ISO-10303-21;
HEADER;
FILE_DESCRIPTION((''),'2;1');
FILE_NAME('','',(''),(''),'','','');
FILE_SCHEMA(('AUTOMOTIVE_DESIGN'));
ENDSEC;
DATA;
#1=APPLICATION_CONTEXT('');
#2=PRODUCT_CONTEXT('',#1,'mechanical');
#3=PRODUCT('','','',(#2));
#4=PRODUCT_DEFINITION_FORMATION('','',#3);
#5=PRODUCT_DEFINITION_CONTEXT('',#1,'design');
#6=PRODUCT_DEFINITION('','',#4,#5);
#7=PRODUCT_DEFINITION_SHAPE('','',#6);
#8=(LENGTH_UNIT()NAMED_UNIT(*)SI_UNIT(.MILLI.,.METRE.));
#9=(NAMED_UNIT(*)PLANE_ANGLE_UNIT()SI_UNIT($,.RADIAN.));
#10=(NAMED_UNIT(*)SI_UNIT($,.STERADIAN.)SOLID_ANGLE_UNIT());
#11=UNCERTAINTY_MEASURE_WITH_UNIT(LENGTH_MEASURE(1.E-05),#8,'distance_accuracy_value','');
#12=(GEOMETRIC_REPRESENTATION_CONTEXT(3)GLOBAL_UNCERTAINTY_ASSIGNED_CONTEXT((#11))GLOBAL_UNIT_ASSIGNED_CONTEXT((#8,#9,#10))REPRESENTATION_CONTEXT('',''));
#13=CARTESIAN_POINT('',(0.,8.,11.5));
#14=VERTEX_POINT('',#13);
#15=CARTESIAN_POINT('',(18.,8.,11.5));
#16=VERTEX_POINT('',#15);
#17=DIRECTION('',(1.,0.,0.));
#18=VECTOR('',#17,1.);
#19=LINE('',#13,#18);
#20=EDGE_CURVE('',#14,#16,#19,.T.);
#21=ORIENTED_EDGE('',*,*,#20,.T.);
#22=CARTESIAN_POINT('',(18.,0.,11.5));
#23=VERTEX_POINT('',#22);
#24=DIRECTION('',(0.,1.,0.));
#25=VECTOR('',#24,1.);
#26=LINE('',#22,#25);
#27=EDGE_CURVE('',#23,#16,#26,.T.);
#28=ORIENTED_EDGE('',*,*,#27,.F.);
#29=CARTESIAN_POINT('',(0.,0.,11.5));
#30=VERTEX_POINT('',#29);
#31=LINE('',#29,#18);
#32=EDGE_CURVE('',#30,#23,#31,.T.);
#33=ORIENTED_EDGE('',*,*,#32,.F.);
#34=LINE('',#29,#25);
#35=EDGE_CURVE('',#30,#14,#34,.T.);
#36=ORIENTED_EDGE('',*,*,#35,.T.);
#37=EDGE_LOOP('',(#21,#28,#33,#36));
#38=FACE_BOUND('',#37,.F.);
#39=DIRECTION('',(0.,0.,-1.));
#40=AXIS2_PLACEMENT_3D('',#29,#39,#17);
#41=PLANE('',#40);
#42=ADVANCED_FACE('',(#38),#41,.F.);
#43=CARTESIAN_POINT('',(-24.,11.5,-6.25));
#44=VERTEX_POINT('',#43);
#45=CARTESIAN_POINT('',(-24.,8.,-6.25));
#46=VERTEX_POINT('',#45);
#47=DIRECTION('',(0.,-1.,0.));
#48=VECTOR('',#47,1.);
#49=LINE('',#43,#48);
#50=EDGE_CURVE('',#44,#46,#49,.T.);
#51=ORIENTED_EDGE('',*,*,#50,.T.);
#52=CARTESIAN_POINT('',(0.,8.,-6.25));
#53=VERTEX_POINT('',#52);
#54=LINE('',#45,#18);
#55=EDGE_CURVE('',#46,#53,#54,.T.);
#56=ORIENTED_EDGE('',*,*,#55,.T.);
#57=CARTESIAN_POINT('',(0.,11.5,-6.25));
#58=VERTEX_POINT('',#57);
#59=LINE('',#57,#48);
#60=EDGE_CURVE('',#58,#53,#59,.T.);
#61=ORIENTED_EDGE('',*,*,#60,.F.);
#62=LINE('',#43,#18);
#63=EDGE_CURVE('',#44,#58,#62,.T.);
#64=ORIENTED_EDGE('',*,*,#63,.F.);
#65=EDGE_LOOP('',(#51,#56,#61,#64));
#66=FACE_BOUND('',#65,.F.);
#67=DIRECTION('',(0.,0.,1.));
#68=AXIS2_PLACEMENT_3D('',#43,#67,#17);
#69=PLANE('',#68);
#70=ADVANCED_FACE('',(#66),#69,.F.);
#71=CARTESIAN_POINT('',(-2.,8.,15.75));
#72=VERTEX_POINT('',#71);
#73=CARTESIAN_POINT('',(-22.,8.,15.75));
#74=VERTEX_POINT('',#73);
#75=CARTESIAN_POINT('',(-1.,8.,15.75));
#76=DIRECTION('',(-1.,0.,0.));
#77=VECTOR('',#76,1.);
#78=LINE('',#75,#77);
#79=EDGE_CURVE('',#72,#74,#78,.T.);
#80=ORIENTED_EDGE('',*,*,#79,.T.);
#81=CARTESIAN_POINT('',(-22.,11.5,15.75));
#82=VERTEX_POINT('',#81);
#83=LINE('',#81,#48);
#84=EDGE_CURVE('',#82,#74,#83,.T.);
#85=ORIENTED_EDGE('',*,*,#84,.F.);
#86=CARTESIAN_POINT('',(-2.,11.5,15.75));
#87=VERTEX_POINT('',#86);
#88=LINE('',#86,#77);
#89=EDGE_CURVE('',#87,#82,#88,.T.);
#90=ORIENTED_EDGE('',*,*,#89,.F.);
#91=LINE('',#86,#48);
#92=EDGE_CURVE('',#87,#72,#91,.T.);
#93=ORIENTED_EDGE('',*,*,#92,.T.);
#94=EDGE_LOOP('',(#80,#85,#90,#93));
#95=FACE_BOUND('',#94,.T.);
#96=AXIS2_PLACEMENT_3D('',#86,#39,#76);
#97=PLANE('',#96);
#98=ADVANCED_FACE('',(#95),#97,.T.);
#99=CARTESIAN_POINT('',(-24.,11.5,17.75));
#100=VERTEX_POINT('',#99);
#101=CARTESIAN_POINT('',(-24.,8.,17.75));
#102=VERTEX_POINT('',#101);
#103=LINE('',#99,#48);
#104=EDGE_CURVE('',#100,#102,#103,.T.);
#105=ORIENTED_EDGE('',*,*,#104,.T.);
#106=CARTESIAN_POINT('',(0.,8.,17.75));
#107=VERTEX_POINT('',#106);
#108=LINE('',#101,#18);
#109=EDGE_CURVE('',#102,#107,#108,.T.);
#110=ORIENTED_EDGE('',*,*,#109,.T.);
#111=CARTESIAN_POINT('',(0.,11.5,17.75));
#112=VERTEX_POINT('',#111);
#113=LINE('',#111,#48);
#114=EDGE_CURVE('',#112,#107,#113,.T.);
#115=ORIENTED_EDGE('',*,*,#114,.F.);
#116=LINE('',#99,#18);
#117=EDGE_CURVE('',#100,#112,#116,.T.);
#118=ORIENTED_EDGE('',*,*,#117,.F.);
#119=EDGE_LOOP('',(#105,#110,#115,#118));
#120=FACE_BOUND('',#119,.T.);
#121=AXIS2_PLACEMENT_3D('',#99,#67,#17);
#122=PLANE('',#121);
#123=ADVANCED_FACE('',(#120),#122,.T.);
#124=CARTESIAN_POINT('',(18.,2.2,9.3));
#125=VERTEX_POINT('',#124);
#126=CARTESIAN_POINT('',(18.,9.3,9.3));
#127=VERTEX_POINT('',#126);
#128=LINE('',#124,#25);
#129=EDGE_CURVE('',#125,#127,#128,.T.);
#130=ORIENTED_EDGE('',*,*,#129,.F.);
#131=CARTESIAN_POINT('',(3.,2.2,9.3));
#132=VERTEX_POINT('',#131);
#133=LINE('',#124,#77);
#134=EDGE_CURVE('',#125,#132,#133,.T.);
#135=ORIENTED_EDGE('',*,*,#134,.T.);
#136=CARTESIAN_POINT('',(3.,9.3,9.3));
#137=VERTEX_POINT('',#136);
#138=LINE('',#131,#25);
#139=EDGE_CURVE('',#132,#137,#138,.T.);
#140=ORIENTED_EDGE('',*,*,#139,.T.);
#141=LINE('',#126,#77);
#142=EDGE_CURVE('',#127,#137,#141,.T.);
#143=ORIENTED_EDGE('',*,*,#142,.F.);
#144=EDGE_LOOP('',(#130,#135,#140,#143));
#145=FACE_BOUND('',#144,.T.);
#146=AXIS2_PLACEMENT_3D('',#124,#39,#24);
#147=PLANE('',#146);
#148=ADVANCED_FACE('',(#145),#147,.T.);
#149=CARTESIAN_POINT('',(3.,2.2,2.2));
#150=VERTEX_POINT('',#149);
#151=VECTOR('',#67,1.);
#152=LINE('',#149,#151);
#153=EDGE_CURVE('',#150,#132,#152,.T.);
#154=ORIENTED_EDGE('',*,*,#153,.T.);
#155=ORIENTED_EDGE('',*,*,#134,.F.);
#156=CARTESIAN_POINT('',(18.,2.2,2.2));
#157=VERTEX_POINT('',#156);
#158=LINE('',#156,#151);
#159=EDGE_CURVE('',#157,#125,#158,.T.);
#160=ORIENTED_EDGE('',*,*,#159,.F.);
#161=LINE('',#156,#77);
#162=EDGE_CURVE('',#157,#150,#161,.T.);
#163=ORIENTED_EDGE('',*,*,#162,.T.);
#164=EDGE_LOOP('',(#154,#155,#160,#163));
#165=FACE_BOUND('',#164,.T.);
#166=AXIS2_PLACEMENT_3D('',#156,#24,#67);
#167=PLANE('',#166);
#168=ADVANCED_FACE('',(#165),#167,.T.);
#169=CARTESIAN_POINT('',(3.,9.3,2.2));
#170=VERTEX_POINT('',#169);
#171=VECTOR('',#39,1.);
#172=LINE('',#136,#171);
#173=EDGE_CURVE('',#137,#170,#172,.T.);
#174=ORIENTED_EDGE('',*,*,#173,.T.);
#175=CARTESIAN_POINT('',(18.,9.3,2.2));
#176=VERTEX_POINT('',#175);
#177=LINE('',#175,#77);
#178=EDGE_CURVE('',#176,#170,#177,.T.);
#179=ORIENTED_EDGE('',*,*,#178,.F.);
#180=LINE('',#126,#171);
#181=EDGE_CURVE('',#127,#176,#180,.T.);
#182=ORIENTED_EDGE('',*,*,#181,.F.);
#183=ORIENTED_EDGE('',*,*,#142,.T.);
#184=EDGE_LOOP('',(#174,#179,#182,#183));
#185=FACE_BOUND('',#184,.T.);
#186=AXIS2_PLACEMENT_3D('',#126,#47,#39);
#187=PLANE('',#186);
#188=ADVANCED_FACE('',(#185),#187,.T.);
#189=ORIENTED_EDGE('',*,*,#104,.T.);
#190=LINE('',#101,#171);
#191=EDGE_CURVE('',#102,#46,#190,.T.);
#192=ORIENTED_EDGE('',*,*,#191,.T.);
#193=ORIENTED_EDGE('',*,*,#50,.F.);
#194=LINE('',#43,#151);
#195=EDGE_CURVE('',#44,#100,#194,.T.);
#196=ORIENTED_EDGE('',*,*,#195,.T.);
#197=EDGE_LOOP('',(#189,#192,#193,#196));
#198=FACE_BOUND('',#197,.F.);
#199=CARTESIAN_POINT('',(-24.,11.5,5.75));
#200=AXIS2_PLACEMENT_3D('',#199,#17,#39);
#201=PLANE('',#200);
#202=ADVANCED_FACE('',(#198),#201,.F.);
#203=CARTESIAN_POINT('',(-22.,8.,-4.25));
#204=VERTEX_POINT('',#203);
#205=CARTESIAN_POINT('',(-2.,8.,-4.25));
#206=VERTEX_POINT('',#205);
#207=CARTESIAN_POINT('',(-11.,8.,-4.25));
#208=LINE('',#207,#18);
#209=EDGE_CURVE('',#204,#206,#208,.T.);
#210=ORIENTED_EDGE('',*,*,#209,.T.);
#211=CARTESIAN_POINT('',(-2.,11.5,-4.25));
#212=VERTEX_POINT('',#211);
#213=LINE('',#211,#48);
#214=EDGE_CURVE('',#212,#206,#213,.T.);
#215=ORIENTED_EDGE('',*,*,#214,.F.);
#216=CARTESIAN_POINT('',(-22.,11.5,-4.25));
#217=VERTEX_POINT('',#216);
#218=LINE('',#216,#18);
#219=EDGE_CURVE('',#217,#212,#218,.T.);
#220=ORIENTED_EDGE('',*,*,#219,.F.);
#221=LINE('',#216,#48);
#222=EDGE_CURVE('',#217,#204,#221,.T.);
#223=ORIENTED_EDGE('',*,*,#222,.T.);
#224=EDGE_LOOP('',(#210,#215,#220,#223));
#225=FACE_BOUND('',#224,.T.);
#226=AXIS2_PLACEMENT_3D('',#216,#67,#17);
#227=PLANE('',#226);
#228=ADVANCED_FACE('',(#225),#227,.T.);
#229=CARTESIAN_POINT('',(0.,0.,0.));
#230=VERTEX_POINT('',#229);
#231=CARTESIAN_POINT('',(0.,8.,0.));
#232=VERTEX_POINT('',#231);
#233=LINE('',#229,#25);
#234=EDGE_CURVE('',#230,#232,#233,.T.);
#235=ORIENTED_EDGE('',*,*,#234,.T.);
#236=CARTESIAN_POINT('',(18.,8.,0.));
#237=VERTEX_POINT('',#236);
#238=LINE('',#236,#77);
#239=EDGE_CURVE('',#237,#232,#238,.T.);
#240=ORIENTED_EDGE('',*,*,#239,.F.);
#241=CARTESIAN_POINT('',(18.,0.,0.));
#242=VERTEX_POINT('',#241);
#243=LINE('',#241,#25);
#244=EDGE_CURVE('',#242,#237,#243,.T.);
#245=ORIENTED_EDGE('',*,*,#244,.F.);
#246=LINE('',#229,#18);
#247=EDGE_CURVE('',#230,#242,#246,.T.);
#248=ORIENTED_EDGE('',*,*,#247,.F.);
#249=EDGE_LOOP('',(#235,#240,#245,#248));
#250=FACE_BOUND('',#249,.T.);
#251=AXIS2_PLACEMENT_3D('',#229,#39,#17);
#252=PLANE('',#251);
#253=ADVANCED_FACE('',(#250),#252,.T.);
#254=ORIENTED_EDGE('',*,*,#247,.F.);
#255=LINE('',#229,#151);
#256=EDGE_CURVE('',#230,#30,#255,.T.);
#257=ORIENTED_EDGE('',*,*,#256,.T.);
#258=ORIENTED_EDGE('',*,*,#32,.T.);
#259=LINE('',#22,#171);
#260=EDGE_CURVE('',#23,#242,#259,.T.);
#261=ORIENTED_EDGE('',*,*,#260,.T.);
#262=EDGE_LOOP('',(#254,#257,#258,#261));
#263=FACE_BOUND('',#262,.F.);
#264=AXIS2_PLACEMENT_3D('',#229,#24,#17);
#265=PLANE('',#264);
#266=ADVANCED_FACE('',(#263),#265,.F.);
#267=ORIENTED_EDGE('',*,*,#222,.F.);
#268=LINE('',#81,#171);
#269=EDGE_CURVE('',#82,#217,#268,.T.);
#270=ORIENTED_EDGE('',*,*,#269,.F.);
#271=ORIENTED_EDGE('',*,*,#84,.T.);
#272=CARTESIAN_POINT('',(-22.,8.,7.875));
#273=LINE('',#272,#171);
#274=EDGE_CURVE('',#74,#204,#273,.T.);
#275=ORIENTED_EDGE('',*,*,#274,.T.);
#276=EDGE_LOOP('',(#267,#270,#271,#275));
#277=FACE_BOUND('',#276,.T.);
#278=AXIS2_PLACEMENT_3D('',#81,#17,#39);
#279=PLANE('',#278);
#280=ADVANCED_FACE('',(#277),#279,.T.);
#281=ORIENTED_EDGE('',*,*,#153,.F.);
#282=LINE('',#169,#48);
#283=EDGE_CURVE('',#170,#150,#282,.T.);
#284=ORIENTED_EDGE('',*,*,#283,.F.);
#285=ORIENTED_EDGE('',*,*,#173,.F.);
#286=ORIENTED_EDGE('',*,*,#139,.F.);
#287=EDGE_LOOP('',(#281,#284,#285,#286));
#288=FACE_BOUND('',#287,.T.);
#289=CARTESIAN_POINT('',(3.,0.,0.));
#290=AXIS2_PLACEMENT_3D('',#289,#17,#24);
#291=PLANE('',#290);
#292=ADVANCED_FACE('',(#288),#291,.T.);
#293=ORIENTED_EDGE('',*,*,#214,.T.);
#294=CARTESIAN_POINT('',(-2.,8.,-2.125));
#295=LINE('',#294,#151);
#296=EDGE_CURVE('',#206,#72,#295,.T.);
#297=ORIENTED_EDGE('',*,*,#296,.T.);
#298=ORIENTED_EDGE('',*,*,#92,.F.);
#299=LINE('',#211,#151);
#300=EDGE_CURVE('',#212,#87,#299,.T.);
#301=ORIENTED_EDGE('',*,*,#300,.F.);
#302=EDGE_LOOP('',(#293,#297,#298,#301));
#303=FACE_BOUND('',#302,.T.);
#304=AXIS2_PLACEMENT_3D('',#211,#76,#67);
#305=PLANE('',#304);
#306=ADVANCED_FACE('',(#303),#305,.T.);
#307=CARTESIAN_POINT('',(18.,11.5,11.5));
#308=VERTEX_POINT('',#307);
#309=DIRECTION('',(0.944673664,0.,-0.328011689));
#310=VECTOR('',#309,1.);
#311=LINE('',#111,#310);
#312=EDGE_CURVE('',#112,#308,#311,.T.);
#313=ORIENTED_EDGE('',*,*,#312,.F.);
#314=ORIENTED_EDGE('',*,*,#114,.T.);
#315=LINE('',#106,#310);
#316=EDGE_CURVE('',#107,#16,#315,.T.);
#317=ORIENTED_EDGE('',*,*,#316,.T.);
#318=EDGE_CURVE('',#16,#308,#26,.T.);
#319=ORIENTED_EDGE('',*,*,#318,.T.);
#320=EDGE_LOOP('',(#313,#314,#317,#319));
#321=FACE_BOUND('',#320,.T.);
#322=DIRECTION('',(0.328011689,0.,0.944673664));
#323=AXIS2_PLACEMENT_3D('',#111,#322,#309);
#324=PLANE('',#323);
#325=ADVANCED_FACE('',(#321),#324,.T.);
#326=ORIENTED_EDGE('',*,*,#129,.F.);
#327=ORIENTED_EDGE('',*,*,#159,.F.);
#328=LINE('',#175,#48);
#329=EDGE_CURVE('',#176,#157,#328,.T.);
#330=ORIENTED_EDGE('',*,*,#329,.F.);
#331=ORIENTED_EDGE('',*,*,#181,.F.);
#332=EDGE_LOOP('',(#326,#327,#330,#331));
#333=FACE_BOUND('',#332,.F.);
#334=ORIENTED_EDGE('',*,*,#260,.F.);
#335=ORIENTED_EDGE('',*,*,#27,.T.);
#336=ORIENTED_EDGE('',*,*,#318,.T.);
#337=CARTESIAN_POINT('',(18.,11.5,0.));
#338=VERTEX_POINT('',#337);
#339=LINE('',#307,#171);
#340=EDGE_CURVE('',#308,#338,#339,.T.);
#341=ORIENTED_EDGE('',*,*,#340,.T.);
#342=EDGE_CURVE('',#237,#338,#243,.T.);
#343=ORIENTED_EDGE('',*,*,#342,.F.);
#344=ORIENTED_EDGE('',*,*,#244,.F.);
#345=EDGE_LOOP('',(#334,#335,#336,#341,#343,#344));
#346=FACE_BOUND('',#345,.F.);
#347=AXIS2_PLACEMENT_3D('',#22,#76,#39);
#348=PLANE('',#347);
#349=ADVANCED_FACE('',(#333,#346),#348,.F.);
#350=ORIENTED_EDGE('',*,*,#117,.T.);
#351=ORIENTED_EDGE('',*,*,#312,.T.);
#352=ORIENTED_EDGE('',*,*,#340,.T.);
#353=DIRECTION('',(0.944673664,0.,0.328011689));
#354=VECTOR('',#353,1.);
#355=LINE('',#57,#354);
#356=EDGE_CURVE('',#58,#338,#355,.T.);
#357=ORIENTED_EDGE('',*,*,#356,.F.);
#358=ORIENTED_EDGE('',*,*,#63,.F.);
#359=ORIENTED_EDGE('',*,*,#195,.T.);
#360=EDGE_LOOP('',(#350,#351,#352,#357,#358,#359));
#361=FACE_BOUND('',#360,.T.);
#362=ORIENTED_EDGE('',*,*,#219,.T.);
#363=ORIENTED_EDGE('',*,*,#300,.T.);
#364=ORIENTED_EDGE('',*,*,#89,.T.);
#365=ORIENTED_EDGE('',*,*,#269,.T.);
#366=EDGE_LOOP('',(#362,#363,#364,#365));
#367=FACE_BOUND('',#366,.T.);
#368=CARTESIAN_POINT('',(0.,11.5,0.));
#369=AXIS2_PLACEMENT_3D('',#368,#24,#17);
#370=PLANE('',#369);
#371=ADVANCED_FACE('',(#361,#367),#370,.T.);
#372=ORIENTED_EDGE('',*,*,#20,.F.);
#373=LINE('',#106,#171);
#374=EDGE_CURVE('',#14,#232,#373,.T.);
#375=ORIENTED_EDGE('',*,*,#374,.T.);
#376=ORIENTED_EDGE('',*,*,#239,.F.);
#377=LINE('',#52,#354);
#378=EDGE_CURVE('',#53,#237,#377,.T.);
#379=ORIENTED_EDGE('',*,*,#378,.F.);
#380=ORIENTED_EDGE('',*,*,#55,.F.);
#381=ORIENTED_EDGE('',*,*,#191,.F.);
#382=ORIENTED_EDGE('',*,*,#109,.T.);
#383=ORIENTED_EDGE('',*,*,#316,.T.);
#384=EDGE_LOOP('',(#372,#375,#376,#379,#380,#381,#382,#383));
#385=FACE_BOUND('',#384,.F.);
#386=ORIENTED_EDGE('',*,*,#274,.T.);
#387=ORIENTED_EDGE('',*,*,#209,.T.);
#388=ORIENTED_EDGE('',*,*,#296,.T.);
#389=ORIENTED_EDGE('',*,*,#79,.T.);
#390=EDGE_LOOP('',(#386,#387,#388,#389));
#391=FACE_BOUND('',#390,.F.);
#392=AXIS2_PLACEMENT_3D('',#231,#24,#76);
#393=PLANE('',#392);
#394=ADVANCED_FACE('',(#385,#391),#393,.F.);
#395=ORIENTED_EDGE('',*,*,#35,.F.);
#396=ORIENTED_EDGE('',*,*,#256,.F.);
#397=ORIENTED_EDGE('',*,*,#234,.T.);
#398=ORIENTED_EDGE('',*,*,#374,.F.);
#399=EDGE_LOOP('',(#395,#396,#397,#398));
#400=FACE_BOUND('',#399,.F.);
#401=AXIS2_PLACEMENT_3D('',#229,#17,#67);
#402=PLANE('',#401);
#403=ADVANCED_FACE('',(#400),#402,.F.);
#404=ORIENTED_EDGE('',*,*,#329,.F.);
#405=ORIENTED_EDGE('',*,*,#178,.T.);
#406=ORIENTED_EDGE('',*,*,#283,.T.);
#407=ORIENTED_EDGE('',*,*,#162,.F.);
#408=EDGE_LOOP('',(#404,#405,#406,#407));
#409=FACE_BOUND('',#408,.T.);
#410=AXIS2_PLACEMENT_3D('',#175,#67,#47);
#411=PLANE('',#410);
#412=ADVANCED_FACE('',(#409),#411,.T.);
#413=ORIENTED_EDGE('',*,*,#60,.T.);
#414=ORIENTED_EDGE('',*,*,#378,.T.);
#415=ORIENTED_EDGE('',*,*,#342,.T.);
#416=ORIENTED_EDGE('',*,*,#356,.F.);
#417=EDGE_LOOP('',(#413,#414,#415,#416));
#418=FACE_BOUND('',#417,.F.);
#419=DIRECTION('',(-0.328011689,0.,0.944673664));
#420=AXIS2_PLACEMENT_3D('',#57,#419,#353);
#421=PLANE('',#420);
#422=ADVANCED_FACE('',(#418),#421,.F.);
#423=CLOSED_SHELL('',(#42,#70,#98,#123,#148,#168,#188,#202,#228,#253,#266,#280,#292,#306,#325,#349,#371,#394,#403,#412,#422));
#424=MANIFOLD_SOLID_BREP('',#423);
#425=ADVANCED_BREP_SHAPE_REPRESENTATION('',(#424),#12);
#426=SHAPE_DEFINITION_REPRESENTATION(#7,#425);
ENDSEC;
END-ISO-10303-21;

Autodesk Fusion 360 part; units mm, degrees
sketch "Sketch1" plane through (0, 0, 0) normal (0, 1, 0) x (1, 0, 0)
  line L0 (0, 0) -> (0, -11.5)
  line L1 (0, -11.5) -> (18, -11.5)
  line L2 (0, 0) -> (18, 0)
  line L3 (18, -11.5) -> (18, 0)
  dimension "d1" = 11.5
  dimension "d2" = 18
  dimension "d3" = 18
extrude "Extrude1" add sketch "Sketch1" along normal blind 11.5
sketch "Sketch2" plane through (18, 0, 0) normal (1, 0, 0) x (0, 1, 0)
  line L0 (0, 11.5) -> (0, 0)
  line L1 (0, 0) -> (11.5, 0)
  line L2 (11.5, 0) -> (11.5, 11.5)
  line L3 (11.5, 11.5) -> (0, 11.5)
  line L4 (0, 11.5) -> (0, 9.3)
  line L5 (0, 9.3) -> (2.2, 9.3)
  line L6 (2.2, 9.3) -> (9.3, 9.3)
  line L7 (9.3, 9.3) -> (9.3, 2.2)
  line L8 (9.3, 2.2) -> (2.2, 2.2)
  line L9 (2.2, 2.2) -> (2.2, 9.3)
  dimension "d9" = 2.2
  dimension "d10" = 2.2
  dimension "d11" = 7.1
  dimension "d12" = 7.1
extrude "Extrude2" cut sketch "Sketch2" against normal blind 15 contours L6 L7 L8 L9
sketch "Sketch3" plane through (0, 0, 0) normal (-1, 0, 0) x (0, -1, 0)
  line L0 (0, 0) -> (0, 11.5)
  line L1 (0, 11.5) -> (-11.5, 11.5)
  line L2 (-11.5, 11.5) -> (-11.5, 0)
  line L3 (-11.5, 0) -> (0, 0)
  line L4 (-11.5, 11.5) -> (-7.25, 11.5)
  line L5 (-7.25, 11.5) -> (-7.25, 7.25)
  line L6 (-7.25, 7.25) -> (-4.25, 7.25)
  line L7 (-4.25, 7.25) -> (-4.25, 4.25)
  line L8 (-4.25, 4.25) -> (-7.25, 4.25)
  line L9 (-7.25, 4.25) -> (-7.25, 7.25)
  dimension "d15" = 4.25
  dimension "d16" = 4.25
  dimension "d17" = 3
  dimension "d18" = 3
sketch "Sketch4" plane through (0, 0, 0) normal (-1, 0, 0) x (0, -1, 0)
  line L0 (0, 0) -> (0, 11.5)
  line L1 (0, 11.5) -> (-11.5, 11.5)
  line L2 (-11.5, 11.5) -> (-11.5, 0)
  line L3 (-11.5, 0) -> (0, 0)
  line L4 (-11.5, 11.5) -> (-11.5, 7.5)
  line L5 (-11.5, 7.5) -> (0, 7.5)
  line L6 (0, 7.5) -> (0, 4)
  line L7 (0, 4) -> (-11.5, 4)
  line L8 (-11.5, 4) -> (-11.5, 7.5)
  dimension "d21" = 4
  dimension "d22" = 3.5
sketch "Sketch5" plane through (0, 0, 0) normal (0, -1, 0) x (1, 0, 0)
  line L0 (0, 11.5) -> (0, 0)
  line L1 (0, 0) -> (18, 0)
  line L2 (18, 0) -> (18, 11.5)
  line L3 (18, 11.5) -> (0, 11.5)
  line L4 (0, 11.5) -> (0, 0)
sketch "Sketch6" plane through (0, 11.5, 0) normal (0, 1, 0) x (-1, 0, 0)
  line L0 (0, 0) -> (0, 11.5)
  line L1 (0, 11.5) -> (-18, 11.5)
  line L2 (-18, 11.5) -> (-18, 0)
  line L3 (-18, 0) -> (0, 0)
  line L4 (0, 5.75) -> (24, 5.75)
  line L5 (24, 5.75) -> (24, 17.75)
  line L6 (24, 17.75) -> (0, 17.75)
  line L7 (0, 17.75) -> (0, 5.75)
  line L8 (0, 5.75) -> (-18, 5.75) construction
  line L9 (24, 5.75) -> (24, -6.25)
  line L10 (24, -6.25) -> (0, -6.25)
  line L11 (0, 5.75) -> (24, 5.75)
  line L12 (0, -6.25) -> (0, 0)
  dimension "d26" = 24
  dimension "d27" = 12
extrude "Extrude5" add sketch "Sketch6" against normal blind 3.5 contours L0 L4 L9 L10 L11 L12 | L0 L4 L5 L6 L7 L11
sketch "Sketch7" plane through (0, 11.5, 0) normal (0, 1, 0) x (-1, 0, 0)
  line L0 (0, 11.5) -> (-18, 11.5)
  line L1 (-18, 11.5) -> (-18, 0)
  line L2 (-18, 0) -> (0, 0)
  line L3 (0, 0) -> (0, -6.25)
  line L4 (0, -6.25) -> (24, -6.25)
  line L5 (24, -6.25) -> (24, 17.75)
  line L6 (24, 17.75) -> (0, 17.75)
  line L7 (0, 17.75) -> (0, 11.5)
  line L8 (24, -6.25) -> (24, -4.25)
  line L9 (24, -4.25) -> (22, -4.25)
  line L10 (22, -4.25) -> (2, -4.25)
  line L11 (2, -4.25) -> (2, 15.75)
  line L12 (2, 15.75) -> (22, 15.75)
  line L13 (22, 15.75) -> (22, -4.25)
  dimension "d30" = 2
  dimension "d31" = 2
  dimension "d32" = 20
  dimension "d33" = 20
extrude "Extrude6" cut sketch "Sketch7" against normal blind 5 contours L10 L11 L12 L13
sketch "Sketch8" plane through (0, 0, 0) normal (1, 0, 0) x (0, 1, 0)
sketch "Sketch9" plane through (0, 11.5, 0) normal (0, 1, 0) x (-1, 0, 0)
  line L0 (2, -4.25) -> (2, 15.75)
  line L1 (2, 15.75) -> (22, 15.75)
  line L2 (22, 15.75) -> (22, -4.25)
  line L3 (22, -4.25) -> (2, -4.25)
  line L4 (0, 11.5) -> (-18, 11.5)
  line L5 (-18, 11.5) -> (-18, 0)
  line L6 (-18, 0) -> (0, 0)
  line L7 (0, 0) -> (0, -6.25)
  line L8 (0, -6.25) -> (24, -6.25)
  line L9 (24, -6.25) -> (24, 17.75)
  line L10 (24, 17.75) -> (0, 17.75)
  line L11 (0, 17.75) -> (0, 11.5)
  line L12 (0, -6.25) -> (-18, 0)
  line L13 (0, 17.75) -> (-18, 11.5)
extrude "Extrude7" add sketch "Sketch9" against normal blind 3.5 contours L4 L11 L13 | L6 L7 L12
